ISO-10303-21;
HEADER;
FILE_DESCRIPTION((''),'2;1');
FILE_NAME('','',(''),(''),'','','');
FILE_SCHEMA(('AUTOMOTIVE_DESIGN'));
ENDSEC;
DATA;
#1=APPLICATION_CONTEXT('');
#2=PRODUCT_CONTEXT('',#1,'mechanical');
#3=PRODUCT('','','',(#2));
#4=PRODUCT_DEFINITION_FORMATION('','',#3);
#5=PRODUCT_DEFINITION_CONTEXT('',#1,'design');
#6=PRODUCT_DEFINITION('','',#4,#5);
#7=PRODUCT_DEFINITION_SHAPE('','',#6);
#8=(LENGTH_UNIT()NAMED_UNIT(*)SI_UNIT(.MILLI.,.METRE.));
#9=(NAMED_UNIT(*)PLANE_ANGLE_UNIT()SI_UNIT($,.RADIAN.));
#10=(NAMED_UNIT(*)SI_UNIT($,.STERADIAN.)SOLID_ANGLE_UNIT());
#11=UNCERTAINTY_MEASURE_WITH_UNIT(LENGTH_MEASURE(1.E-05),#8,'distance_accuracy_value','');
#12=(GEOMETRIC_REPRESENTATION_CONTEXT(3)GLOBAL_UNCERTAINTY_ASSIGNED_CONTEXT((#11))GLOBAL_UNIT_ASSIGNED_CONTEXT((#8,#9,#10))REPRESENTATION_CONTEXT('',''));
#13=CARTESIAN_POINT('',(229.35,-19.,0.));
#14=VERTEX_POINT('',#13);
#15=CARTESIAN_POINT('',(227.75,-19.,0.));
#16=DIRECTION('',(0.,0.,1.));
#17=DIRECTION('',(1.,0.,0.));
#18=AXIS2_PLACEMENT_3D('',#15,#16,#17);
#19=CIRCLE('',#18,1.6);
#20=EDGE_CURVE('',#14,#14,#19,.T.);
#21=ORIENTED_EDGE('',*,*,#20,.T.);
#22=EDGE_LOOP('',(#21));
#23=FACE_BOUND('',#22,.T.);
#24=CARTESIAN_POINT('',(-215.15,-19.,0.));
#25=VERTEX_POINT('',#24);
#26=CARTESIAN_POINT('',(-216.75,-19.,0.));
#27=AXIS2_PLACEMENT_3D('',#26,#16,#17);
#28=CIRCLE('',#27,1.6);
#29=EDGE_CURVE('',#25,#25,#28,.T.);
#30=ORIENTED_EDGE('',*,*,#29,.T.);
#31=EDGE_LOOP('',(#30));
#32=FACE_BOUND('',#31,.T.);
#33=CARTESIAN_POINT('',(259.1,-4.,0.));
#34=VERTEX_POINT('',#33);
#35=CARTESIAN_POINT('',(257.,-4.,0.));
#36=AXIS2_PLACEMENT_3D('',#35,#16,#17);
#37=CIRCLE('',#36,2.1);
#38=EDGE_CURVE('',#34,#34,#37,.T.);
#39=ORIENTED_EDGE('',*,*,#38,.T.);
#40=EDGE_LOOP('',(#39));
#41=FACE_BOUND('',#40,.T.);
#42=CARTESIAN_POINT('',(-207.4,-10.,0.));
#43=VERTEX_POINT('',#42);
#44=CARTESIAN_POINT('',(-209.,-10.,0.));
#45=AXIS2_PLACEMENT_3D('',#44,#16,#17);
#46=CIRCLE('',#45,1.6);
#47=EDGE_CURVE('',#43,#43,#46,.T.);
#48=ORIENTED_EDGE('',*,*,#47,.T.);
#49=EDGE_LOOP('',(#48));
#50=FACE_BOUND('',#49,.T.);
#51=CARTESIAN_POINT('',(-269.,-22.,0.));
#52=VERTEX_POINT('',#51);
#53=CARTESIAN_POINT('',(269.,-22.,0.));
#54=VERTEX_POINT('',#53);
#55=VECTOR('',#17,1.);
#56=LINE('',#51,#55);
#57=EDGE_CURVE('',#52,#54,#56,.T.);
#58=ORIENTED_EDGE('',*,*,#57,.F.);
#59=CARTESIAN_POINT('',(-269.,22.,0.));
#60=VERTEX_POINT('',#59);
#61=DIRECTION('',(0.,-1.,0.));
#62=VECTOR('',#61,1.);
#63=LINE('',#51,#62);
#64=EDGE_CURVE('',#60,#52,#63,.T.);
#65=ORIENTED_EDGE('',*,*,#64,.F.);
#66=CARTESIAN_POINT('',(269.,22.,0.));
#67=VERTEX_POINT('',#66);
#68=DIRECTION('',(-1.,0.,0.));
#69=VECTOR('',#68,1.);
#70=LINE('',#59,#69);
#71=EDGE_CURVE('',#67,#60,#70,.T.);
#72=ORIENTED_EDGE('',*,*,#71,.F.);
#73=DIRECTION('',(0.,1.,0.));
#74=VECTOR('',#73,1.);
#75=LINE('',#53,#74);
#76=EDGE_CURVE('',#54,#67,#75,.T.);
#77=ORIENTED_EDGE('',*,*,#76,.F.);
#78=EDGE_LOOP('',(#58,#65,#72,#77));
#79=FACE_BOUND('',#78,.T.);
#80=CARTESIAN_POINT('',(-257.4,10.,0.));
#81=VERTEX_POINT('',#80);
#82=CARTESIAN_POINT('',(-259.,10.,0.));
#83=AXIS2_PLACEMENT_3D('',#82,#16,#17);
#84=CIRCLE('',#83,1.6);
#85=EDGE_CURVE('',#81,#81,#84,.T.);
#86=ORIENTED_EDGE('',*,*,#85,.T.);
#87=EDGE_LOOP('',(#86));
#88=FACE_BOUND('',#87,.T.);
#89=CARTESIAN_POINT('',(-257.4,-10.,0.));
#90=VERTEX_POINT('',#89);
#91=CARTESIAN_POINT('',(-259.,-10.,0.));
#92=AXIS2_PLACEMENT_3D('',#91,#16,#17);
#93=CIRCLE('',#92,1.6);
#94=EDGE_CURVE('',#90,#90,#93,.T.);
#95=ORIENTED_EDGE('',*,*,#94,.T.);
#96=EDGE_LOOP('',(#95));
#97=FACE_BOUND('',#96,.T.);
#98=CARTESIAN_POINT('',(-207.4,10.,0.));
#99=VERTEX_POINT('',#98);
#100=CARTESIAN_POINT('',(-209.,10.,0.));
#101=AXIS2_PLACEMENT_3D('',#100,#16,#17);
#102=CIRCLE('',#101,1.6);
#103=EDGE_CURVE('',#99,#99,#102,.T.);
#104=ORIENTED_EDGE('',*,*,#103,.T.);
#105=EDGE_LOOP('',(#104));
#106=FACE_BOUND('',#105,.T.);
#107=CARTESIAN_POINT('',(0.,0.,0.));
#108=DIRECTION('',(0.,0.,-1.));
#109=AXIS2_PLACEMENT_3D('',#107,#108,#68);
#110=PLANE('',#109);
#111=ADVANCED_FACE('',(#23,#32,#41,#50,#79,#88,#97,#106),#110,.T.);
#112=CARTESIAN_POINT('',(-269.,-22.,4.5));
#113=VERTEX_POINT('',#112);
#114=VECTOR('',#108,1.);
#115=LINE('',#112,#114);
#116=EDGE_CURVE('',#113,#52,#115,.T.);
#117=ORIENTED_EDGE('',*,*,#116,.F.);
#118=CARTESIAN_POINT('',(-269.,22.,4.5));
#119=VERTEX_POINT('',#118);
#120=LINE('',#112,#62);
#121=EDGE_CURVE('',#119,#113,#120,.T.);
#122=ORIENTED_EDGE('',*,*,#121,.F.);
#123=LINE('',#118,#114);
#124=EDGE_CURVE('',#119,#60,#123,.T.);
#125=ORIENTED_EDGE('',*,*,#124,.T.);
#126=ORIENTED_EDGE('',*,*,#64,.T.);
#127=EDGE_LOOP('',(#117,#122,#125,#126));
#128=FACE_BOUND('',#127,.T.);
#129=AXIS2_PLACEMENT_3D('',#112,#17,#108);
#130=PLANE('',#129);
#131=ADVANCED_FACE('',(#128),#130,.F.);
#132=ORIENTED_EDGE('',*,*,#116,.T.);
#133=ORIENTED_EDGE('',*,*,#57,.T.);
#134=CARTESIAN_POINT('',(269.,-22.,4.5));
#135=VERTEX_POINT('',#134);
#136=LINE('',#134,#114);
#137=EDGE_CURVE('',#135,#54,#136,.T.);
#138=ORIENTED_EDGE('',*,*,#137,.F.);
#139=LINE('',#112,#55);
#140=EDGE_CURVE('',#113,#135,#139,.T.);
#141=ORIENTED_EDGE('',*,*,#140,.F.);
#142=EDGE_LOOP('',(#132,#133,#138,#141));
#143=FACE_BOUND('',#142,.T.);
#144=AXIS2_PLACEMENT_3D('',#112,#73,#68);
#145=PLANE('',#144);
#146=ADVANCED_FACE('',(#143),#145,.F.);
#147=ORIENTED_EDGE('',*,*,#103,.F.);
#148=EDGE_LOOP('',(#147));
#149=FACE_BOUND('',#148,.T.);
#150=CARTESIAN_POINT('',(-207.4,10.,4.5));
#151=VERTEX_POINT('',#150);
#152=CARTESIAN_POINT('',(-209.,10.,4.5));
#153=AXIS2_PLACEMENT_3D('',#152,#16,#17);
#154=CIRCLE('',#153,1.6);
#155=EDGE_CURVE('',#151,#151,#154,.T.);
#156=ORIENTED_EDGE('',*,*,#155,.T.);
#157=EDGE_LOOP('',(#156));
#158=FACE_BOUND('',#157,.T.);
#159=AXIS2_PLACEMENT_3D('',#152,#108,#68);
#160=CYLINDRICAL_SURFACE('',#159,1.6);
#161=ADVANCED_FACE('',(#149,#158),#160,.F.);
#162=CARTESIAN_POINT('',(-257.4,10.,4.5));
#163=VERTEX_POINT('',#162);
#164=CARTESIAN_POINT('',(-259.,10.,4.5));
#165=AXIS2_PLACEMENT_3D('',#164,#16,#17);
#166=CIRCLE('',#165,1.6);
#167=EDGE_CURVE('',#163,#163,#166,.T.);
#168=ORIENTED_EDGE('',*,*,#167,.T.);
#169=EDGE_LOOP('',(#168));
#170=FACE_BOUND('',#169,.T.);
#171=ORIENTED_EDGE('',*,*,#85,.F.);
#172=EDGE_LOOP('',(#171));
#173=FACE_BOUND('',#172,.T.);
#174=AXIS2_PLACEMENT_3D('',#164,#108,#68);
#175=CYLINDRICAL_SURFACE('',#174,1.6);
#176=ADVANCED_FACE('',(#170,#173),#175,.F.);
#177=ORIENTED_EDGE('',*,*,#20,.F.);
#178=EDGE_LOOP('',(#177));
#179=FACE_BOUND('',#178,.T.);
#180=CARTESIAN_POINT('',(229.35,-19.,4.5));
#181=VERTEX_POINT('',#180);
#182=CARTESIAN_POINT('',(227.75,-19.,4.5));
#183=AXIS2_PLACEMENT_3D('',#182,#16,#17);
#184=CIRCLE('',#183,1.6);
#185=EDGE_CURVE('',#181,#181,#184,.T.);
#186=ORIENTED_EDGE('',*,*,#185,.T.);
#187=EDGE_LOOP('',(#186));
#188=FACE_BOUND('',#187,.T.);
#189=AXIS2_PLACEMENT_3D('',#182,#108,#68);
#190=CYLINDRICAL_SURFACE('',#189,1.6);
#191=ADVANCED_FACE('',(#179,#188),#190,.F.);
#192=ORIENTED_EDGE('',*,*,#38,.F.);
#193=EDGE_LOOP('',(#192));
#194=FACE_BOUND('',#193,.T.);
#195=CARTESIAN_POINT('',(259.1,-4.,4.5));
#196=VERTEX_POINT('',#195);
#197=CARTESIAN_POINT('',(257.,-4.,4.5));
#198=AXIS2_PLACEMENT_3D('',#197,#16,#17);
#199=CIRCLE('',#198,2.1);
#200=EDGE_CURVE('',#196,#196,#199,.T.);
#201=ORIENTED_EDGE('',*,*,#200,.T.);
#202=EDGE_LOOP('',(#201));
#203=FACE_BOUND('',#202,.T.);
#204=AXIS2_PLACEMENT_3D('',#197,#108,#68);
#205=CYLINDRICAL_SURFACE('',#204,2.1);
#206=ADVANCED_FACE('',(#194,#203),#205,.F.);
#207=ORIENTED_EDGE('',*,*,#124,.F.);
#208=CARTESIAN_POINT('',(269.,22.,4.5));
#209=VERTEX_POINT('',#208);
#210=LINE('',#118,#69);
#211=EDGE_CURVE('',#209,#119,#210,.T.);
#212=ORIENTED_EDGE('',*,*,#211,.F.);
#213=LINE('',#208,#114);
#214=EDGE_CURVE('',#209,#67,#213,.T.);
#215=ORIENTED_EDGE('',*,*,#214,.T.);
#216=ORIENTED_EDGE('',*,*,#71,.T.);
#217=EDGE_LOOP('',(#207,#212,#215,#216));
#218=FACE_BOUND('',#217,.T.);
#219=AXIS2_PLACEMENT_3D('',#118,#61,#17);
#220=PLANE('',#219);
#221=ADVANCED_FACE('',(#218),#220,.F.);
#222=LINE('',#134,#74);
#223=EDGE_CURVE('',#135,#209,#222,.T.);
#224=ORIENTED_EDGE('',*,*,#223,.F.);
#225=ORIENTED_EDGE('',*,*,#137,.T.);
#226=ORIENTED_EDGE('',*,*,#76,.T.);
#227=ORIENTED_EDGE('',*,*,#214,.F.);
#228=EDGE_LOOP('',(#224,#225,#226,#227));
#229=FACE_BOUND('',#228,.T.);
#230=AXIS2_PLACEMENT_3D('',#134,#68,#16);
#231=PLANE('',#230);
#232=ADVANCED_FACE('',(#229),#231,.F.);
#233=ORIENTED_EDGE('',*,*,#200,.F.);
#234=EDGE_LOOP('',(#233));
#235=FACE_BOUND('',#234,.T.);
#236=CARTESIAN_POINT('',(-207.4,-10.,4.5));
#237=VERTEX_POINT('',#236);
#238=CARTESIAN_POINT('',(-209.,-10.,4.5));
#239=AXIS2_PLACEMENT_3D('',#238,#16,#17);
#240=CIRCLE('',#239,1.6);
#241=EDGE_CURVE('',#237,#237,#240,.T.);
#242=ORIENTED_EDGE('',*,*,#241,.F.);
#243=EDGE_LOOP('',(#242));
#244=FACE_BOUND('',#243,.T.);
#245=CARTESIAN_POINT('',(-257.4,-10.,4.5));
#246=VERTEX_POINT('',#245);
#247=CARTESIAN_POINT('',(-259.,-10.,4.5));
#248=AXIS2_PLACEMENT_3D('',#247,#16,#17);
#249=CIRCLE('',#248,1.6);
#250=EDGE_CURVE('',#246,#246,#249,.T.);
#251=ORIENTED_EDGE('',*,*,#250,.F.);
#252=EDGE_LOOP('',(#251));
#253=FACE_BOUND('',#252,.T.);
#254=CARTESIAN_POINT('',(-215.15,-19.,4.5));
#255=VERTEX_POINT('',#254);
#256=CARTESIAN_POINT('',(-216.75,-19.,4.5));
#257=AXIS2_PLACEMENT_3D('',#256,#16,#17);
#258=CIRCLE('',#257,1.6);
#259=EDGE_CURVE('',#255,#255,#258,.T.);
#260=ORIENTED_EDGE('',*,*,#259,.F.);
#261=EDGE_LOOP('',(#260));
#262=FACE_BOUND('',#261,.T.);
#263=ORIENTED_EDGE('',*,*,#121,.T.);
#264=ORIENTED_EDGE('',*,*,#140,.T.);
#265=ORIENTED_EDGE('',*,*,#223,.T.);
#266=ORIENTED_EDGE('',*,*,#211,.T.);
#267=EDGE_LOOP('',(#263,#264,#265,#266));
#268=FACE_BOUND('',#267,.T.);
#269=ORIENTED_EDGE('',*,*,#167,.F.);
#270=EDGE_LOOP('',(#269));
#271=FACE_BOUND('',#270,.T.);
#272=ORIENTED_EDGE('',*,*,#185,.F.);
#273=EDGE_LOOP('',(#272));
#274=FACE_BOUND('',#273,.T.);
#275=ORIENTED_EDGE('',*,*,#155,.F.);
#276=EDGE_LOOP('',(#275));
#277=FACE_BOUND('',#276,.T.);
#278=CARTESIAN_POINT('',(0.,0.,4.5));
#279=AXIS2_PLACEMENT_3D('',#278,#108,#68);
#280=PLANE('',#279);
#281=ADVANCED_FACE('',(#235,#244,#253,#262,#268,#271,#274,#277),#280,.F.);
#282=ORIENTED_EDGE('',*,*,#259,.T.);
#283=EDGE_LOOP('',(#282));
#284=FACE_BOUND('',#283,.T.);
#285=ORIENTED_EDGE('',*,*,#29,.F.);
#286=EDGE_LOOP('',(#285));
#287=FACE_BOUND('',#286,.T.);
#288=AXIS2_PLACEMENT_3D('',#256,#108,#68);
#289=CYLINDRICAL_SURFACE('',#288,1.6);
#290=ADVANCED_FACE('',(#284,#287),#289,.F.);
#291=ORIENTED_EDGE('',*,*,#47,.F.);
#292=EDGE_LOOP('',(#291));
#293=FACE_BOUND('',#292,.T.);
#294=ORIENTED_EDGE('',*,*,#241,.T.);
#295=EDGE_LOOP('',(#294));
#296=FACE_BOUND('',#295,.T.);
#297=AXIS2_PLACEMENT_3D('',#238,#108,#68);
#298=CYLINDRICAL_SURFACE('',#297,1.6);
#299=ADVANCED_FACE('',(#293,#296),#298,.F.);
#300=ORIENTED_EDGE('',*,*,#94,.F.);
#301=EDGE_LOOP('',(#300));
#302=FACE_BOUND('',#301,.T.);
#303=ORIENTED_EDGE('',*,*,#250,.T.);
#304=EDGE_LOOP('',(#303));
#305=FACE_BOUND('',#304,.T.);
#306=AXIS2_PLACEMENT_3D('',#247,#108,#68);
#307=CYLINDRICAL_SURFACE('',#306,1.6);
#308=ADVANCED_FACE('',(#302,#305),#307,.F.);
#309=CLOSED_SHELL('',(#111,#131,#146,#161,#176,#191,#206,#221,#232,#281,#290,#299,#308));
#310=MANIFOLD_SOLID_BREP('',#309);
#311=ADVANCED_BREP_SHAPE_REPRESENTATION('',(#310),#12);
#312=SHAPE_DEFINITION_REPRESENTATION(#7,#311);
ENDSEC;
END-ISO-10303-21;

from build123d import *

# Parameters (mm, degrees)
SKETCH1_W           = 538
SKETCH1_H           = 44
SKETCH1_R           = 2.1
SKETCH1_R_2         = 1.6
BOSS_EXTRUDE1_DEPTH = 4.5


with BuildPart() as part:
    # Sketch1 → Boss-Extrude1 (new body)
    with BuildSketch(Plane.XY):
        Rectangle(SKETCH1_W, SKETCH1_H)
        with Locations((257, -4)):
            Circle(SKETCH1_R, mode=Mode.SUBTRACT)
        with Locations((-259, 10)):
            Circle(SKETCH1_R_2, mode=Mode.SUBTRACT)
        with Locations((-209, 10)):
            Circle(SKETCH1_R_2, mode=Mode.SUBTRACT)
        with Locations((-209, -10)):
            Circle(SKETCH1_R_2, mode=Mode.SUBTRACT)
        with Locations((-259, -10)):
            Circle(SKETCH1_R_2, mode=Mode.SUBTRACT)
        with Locations((227.75, -19)):
            Circle(SKETCH1_R_2, mode=Mode.SUBTRACT)
        with Locations((-216.75, -19)):
            Circle(SKETCH1_R_2, mode=Mode.SUBTRACT)
    extrude(amount=BOSS_EXTRUDE1_DEPTH)


solid = part.part
